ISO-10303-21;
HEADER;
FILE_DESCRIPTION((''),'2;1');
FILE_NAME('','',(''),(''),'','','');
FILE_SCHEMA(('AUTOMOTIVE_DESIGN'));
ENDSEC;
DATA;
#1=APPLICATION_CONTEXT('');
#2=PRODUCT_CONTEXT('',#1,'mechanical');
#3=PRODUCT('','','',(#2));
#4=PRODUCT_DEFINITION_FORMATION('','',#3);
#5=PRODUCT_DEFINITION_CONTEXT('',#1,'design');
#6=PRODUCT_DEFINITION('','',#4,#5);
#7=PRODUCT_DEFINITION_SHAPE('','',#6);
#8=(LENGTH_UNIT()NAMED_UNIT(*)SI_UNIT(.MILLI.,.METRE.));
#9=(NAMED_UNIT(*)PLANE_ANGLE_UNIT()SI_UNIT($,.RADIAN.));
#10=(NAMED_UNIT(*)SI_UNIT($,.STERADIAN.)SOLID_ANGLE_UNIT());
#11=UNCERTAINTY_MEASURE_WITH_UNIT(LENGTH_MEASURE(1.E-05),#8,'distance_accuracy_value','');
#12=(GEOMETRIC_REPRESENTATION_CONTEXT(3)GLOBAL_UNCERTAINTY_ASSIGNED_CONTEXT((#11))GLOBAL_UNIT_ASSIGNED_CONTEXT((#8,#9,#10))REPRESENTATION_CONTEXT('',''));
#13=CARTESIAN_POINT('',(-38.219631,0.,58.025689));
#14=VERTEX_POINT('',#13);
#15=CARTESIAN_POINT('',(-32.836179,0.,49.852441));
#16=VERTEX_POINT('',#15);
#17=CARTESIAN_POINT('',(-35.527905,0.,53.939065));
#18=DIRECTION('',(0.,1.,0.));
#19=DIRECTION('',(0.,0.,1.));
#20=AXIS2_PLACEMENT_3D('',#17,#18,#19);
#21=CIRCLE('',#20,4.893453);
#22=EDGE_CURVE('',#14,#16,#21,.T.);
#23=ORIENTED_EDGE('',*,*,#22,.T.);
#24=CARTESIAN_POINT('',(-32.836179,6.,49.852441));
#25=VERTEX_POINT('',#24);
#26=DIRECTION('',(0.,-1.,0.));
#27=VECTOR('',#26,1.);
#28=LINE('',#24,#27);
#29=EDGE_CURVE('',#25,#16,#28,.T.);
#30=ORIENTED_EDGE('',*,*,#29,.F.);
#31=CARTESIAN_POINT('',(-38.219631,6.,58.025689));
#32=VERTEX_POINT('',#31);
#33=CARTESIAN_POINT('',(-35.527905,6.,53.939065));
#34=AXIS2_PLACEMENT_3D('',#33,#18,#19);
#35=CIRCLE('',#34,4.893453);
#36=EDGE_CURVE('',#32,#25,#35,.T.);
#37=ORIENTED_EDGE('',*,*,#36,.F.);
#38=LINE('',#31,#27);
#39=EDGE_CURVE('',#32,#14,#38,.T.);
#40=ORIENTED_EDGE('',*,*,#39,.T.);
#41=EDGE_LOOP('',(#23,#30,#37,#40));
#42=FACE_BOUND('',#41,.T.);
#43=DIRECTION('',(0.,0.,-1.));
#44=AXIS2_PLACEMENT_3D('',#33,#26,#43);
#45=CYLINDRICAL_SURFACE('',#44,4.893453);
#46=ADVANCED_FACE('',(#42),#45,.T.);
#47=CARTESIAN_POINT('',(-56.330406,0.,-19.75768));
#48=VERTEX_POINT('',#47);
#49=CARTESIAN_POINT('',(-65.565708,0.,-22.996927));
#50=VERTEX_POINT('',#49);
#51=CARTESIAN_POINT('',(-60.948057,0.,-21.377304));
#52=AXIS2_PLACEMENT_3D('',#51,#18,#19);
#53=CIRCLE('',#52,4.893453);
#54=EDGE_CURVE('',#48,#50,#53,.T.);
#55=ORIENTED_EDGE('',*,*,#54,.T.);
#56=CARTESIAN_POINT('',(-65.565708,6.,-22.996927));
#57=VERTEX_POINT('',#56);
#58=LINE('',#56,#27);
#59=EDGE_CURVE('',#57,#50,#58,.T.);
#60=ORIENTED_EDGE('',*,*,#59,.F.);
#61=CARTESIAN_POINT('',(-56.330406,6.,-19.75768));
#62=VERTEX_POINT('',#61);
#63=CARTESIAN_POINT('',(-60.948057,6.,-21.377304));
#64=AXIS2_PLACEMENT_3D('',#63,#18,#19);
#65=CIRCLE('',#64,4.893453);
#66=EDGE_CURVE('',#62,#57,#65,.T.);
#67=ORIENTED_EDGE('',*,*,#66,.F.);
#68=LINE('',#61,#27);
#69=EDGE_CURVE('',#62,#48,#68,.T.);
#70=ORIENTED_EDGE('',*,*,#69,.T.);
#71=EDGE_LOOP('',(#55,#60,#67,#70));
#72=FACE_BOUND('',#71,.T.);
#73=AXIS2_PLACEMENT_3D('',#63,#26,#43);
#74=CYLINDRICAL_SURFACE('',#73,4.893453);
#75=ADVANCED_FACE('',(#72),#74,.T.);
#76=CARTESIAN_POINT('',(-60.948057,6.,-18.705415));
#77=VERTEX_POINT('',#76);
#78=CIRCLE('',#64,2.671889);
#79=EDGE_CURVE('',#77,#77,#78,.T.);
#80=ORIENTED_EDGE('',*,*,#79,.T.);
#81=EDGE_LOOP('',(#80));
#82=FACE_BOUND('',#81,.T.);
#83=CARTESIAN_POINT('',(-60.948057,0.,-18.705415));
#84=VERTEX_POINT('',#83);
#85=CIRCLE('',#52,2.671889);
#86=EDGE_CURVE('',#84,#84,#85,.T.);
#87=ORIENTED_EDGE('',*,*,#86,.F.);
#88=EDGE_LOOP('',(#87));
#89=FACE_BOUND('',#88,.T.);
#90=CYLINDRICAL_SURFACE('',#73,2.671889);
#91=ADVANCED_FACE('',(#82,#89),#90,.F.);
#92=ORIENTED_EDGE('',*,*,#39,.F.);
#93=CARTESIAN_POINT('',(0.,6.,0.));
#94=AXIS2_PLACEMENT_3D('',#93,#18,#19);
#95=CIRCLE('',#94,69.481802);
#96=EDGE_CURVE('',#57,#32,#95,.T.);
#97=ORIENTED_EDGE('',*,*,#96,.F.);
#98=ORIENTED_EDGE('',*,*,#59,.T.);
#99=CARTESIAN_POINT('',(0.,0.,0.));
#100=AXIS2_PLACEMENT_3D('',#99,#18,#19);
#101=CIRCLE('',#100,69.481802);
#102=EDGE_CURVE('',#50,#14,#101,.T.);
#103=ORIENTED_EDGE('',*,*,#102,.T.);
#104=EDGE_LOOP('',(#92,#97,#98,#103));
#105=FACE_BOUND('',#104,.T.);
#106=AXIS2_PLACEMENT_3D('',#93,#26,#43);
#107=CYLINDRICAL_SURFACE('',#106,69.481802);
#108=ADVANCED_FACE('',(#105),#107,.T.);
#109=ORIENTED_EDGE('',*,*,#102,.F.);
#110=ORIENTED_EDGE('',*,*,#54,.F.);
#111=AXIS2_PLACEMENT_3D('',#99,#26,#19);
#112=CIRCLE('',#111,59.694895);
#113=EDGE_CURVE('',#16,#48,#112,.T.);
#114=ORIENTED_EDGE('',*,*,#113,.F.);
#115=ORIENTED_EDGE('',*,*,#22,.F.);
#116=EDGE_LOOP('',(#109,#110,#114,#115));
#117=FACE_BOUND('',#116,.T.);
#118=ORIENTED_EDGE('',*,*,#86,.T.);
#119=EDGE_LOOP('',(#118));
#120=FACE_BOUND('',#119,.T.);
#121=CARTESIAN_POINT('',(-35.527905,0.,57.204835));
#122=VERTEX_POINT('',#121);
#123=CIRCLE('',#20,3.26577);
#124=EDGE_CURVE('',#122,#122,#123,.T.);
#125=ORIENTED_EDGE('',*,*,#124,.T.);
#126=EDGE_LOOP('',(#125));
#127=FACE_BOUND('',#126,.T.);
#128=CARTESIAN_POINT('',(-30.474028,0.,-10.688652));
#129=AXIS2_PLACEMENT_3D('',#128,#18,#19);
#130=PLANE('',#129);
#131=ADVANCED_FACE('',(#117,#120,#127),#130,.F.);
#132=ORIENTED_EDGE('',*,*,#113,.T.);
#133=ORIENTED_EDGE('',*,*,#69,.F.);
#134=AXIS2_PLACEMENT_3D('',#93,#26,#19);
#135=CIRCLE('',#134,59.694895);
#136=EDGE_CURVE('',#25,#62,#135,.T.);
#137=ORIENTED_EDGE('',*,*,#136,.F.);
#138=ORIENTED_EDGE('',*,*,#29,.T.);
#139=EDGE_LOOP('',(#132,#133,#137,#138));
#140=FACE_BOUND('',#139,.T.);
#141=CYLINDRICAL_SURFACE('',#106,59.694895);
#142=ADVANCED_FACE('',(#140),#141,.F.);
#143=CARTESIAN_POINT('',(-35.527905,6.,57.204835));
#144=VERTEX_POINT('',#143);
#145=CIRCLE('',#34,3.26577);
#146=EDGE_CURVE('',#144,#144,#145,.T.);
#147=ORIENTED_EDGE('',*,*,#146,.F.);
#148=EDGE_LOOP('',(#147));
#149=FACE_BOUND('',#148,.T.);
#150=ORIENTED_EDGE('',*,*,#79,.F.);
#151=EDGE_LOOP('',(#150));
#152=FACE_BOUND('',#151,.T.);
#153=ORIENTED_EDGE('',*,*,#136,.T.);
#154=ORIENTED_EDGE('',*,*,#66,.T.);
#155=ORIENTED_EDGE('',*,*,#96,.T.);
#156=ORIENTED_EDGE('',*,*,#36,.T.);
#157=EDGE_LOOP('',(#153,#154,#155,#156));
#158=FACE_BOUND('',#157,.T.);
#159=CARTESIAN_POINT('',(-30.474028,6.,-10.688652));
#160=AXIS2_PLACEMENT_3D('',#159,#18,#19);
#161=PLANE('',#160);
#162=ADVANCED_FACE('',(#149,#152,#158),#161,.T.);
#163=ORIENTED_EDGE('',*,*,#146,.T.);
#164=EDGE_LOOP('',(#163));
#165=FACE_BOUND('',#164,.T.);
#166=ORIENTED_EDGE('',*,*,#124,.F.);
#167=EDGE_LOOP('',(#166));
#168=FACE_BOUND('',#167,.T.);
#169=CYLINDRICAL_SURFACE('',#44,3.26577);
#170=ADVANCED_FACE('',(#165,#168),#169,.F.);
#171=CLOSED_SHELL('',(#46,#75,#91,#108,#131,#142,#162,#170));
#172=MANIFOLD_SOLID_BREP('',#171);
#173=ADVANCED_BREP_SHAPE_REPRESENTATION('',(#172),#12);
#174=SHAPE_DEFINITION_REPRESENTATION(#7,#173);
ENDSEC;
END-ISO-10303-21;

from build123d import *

# Parameters (mm, degrees)
SKETCH1_R           = 2.671888706
SKETCH1_R_2         = 3.265770333
BOSS_EXTRUDE1_DEPTH = 6


with BuildPart() as part:
    # Sketch1 → Boss-Extrude1 (new body)
    with BuildSketch(Plane(origin=(0, 0, 0), x_dir=(1, 0, 0), z_dir=(0, 1, 0))):
        with BuildLine():
            ThreePointArc((-65.565708052, 22.996927451), (-65.833238064, -22.219484929), (-38.219631037, -58.02568869))
            ThreePointArc((-38.219631037, -58.02568869), (-31.441280965, -56.630790811), (-32.836178844, -49.852440739))
            ThreePointArc((-32.836178844, -49.852440739), (-56.560252422, -19.089744227), (-56.330405532, 19.757679552))
            ThreePointArc((-56.330405532, 19.757679552), (-59.328432843, 25.994954762), (-65.565708052, 22.996927451))
        make_face()
        with Locations(Location((-60.948056792, 21.377303502, 0), (0, 0, 270))):
            Circle(SKETCH1_R, mode=Mode.SUBTRACT)
        with Locations(Location((-35.52790494, -53.939064714, 0), (0, 0, 270))):
            Circle(SKETCH1_R_2, mode=Mode.SUBTRACT)
    extrude(amount=BOSS_EXTRUDE1_DEPTH)


solid = part.part
